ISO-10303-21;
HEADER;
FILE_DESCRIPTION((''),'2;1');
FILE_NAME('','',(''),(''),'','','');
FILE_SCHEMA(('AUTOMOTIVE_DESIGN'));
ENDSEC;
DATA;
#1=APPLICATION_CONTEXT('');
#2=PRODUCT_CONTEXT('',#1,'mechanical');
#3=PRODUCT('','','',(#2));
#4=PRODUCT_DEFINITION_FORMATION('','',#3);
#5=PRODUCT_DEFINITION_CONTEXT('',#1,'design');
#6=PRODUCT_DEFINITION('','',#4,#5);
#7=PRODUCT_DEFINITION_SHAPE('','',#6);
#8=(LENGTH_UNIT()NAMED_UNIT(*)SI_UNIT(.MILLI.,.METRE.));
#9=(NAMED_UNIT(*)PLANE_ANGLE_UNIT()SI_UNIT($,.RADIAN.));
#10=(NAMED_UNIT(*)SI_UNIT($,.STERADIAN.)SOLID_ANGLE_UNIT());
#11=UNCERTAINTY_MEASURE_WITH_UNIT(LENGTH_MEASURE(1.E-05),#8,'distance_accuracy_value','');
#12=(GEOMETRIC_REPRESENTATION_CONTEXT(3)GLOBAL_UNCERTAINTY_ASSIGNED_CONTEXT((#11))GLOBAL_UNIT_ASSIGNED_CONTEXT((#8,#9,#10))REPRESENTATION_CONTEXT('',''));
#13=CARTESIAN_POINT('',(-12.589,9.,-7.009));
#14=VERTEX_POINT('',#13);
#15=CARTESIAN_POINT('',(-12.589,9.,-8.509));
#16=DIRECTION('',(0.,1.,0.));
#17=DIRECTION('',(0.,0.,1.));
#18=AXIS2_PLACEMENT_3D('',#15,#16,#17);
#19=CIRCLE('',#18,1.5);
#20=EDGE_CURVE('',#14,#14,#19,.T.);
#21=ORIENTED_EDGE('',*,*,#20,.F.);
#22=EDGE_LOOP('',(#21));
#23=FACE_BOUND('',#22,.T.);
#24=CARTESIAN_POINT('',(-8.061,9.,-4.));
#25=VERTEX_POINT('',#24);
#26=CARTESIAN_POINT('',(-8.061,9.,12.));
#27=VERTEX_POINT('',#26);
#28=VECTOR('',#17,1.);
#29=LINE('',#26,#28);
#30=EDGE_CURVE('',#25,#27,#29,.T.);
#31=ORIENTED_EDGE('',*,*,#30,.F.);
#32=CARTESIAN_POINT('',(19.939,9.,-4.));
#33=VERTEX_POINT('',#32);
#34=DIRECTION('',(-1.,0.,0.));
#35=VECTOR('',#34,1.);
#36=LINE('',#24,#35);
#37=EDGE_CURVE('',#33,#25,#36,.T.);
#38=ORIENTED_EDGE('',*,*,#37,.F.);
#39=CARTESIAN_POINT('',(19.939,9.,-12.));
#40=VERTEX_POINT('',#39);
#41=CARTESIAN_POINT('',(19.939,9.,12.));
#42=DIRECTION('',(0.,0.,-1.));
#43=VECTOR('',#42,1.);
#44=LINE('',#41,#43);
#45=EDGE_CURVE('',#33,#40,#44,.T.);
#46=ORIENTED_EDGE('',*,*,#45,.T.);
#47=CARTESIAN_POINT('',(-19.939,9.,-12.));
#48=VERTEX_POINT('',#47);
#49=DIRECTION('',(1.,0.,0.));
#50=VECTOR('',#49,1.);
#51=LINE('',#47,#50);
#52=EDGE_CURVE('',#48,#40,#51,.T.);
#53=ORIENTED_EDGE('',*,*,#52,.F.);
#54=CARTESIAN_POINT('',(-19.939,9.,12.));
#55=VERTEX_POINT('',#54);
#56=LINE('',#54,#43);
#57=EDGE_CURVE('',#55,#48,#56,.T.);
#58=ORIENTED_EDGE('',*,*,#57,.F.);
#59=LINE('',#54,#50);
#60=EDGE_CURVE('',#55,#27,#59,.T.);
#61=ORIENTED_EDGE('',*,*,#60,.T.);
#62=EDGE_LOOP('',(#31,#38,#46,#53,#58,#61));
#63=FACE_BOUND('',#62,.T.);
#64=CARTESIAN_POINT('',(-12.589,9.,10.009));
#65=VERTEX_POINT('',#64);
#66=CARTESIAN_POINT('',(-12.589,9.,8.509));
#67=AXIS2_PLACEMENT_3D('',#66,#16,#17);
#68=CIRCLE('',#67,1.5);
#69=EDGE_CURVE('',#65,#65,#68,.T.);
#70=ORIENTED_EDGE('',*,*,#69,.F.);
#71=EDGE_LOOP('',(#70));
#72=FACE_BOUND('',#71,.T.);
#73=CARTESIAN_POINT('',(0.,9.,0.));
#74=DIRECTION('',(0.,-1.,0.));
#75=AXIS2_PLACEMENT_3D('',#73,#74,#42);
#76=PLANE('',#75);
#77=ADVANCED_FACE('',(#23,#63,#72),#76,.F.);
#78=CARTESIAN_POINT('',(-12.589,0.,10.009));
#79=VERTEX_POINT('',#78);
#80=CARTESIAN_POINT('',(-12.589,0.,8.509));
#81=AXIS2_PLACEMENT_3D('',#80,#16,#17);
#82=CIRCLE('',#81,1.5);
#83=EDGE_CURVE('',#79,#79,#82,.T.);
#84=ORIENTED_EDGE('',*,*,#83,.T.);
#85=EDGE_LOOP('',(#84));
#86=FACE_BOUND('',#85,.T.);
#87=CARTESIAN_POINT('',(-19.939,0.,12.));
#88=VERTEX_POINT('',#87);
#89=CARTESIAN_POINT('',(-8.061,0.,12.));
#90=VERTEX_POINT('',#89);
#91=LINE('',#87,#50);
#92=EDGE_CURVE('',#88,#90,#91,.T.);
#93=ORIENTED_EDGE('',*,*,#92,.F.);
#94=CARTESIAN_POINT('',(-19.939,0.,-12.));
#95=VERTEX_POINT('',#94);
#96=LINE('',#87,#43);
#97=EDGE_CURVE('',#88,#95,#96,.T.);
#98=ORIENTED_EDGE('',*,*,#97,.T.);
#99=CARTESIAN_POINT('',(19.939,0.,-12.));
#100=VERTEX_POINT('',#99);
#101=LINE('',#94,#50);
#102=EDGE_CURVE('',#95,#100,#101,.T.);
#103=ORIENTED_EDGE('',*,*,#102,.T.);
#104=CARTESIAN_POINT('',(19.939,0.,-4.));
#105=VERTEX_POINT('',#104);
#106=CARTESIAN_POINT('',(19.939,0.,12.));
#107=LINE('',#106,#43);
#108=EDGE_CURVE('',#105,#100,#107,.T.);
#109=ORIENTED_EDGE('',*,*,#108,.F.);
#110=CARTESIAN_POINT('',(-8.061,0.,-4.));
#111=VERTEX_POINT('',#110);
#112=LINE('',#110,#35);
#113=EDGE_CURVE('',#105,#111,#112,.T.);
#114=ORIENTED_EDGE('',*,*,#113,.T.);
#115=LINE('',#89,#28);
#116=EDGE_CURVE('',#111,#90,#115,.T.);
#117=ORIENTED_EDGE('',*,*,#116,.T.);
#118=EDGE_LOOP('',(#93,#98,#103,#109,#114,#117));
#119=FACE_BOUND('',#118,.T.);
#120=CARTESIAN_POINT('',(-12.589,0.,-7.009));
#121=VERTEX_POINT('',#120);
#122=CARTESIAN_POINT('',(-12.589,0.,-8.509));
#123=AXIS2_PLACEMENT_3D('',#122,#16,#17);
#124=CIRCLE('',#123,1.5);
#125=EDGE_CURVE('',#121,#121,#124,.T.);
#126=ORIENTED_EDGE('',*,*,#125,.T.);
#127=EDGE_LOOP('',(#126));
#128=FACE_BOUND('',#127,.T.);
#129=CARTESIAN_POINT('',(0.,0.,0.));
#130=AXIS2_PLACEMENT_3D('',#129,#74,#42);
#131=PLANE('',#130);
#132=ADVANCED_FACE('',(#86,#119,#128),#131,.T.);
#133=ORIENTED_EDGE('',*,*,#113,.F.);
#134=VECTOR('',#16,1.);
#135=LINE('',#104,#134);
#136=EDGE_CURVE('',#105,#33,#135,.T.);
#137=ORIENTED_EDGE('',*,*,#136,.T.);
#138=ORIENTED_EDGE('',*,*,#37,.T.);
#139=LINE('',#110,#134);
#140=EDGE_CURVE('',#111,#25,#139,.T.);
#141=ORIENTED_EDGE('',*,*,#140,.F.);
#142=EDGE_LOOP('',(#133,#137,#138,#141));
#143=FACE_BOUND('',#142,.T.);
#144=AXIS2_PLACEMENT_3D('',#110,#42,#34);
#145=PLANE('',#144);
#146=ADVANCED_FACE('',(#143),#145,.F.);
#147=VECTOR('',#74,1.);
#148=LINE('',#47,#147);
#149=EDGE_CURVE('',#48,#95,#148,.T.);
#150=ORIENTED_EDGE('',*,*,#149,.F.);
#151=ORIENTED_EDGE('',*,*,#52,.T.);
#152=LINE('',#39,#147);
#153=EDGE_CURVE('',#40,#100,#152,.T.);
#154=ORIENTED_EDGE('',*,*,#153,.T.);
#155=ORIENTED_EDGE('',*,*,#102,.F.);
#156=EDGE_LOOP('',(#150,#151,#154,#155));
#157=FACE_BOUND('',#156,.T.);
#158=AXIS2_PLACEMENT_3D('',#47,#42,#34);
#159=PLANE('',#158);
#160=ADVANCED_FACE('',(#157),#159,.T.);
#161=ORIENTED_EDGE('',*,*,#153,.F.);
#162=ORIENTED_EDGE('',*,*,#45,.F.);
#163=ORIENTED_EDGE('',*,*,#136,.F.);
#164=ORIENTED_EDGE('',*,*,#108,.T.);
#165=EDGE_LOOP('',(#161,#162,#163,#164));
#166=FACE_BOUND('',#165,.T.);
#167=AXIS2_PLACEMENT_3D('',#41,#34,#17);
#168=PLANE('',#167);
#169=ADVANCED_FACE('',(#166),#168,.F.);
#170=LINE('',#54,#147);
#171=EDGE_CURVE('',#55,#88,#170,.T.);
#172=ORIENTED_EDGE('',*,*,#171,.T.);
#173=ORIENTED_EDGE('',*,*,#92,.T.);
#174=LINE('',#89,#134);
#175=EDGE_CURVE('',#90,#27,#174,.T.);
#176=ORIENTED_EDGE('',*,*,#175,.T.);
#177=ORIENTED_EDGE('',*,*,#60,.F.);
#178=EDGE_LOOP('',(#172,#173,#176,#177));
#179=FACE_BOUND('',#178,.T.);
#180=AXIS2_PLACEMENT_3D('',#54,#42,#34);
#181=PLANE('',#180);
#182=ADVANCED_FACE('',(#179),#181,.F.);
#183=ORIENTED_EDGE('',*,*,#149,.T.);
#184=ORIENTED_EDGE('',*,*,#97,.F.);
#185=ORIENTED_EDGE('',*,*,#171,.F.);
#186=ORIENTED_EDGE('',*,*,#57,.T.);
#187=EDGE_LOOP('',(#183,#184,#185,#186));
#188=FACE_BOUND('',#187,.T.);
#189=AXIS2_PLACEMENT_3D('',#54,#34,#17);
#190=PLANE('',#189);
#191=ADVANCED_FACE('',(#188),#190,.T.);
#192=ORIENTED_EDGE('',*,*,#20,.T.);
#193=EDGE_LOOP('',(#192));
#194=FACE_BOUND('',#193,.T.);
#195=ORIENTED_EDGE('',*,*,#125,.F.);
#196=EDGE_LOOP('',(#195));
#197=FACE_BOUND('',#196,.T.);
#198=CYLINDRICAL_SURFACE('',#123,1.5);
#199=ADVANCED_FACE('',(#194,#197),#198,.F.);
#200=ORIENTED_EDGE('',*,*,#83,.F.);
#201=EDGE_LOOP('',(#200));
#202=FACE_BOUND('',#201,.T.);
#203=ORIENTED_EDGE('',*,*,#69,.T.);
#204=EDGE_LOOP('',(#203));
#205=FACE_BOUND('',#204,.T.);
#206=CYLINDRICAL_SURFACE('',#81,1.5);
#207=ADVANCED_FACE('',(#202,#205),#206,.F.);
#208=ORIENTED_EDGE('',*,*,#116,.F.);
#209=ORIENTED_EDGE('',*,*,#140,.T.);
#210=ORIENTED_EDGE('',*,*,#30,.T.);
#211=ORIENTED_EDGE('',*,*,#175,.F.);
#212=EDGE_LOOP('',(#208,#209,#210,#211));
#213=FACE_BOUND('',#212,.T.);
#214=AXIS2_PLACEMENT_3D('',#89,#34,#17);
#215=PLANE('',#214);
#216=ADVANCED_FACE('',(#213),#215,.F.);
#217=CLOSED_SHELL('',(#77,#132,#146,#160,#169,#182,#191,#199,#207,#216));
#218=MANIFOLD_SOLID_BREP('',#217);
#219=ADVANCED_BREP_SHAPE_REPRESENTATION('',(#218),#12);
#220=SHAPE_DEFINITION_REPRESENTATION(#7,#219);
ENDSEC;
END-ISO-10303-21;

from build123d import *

# Parameters (mm, degrees)
SKETCH1_W           = 39.878
SKETCH1_H           = 24
BOSS_EXTRUDE1_DEPTH = 9
SKETCH2_W           = 28
SKETCH2_H           = 16
CUT_EXTRUDE1_DEPTH  = 25.951226844
SKETCH4_R           = 1.5
CUT_EXTRUDE2_DEPTH  = 25.951226844


with BuildPart() as part:
    # Sketch1 → Boss-Extrude1 (new body)
    with BuildSketch(Plane(origin=(0, 0, 0), x_dir=(1, 0, 0), z_dir=(0, 1, 0))):
        Rectangle(SKETCH1_W, SKETCH1_H)
    extrude(amount=BOSS_EXTRUDE1_DEPTH)

    # Sketch2 → Cut-Extrude1 (cut, through all)
    with BuildSketch(Plane(origin=(0, 9, 0), x_dir=(1, 0, 0), z_dir=(0, 1, 0))):
        with Locations((5.939, -4)):
            Rectangle(SKETCH2_W, SKETCH2_H)
    extrude(amount=-CUT_EXTRUDE1_DEPTH, mode=Mode.SUBTRACT)

    # Sketch4 → Cut-Extrude2 (cut, through all)
    with BuildSketch(Plane(origin=(0, 9, 0), x_dir=(1, 0, 0), z_dir=(0, 1, 0))):
        with Locations(Location((-12.589, -8.509, 0), (0, 0, 270))):
            Circle(SKETCH4_R)
        with Locations(Location((-12.589, 8.509, 0), (0, 0, 270))):
            Circle(SKETCH4_R)
    extrude(amount=-CUT_EXTRUDE2_DEPTH, mode=Mode.SUBTRACT)


solid = part.part
